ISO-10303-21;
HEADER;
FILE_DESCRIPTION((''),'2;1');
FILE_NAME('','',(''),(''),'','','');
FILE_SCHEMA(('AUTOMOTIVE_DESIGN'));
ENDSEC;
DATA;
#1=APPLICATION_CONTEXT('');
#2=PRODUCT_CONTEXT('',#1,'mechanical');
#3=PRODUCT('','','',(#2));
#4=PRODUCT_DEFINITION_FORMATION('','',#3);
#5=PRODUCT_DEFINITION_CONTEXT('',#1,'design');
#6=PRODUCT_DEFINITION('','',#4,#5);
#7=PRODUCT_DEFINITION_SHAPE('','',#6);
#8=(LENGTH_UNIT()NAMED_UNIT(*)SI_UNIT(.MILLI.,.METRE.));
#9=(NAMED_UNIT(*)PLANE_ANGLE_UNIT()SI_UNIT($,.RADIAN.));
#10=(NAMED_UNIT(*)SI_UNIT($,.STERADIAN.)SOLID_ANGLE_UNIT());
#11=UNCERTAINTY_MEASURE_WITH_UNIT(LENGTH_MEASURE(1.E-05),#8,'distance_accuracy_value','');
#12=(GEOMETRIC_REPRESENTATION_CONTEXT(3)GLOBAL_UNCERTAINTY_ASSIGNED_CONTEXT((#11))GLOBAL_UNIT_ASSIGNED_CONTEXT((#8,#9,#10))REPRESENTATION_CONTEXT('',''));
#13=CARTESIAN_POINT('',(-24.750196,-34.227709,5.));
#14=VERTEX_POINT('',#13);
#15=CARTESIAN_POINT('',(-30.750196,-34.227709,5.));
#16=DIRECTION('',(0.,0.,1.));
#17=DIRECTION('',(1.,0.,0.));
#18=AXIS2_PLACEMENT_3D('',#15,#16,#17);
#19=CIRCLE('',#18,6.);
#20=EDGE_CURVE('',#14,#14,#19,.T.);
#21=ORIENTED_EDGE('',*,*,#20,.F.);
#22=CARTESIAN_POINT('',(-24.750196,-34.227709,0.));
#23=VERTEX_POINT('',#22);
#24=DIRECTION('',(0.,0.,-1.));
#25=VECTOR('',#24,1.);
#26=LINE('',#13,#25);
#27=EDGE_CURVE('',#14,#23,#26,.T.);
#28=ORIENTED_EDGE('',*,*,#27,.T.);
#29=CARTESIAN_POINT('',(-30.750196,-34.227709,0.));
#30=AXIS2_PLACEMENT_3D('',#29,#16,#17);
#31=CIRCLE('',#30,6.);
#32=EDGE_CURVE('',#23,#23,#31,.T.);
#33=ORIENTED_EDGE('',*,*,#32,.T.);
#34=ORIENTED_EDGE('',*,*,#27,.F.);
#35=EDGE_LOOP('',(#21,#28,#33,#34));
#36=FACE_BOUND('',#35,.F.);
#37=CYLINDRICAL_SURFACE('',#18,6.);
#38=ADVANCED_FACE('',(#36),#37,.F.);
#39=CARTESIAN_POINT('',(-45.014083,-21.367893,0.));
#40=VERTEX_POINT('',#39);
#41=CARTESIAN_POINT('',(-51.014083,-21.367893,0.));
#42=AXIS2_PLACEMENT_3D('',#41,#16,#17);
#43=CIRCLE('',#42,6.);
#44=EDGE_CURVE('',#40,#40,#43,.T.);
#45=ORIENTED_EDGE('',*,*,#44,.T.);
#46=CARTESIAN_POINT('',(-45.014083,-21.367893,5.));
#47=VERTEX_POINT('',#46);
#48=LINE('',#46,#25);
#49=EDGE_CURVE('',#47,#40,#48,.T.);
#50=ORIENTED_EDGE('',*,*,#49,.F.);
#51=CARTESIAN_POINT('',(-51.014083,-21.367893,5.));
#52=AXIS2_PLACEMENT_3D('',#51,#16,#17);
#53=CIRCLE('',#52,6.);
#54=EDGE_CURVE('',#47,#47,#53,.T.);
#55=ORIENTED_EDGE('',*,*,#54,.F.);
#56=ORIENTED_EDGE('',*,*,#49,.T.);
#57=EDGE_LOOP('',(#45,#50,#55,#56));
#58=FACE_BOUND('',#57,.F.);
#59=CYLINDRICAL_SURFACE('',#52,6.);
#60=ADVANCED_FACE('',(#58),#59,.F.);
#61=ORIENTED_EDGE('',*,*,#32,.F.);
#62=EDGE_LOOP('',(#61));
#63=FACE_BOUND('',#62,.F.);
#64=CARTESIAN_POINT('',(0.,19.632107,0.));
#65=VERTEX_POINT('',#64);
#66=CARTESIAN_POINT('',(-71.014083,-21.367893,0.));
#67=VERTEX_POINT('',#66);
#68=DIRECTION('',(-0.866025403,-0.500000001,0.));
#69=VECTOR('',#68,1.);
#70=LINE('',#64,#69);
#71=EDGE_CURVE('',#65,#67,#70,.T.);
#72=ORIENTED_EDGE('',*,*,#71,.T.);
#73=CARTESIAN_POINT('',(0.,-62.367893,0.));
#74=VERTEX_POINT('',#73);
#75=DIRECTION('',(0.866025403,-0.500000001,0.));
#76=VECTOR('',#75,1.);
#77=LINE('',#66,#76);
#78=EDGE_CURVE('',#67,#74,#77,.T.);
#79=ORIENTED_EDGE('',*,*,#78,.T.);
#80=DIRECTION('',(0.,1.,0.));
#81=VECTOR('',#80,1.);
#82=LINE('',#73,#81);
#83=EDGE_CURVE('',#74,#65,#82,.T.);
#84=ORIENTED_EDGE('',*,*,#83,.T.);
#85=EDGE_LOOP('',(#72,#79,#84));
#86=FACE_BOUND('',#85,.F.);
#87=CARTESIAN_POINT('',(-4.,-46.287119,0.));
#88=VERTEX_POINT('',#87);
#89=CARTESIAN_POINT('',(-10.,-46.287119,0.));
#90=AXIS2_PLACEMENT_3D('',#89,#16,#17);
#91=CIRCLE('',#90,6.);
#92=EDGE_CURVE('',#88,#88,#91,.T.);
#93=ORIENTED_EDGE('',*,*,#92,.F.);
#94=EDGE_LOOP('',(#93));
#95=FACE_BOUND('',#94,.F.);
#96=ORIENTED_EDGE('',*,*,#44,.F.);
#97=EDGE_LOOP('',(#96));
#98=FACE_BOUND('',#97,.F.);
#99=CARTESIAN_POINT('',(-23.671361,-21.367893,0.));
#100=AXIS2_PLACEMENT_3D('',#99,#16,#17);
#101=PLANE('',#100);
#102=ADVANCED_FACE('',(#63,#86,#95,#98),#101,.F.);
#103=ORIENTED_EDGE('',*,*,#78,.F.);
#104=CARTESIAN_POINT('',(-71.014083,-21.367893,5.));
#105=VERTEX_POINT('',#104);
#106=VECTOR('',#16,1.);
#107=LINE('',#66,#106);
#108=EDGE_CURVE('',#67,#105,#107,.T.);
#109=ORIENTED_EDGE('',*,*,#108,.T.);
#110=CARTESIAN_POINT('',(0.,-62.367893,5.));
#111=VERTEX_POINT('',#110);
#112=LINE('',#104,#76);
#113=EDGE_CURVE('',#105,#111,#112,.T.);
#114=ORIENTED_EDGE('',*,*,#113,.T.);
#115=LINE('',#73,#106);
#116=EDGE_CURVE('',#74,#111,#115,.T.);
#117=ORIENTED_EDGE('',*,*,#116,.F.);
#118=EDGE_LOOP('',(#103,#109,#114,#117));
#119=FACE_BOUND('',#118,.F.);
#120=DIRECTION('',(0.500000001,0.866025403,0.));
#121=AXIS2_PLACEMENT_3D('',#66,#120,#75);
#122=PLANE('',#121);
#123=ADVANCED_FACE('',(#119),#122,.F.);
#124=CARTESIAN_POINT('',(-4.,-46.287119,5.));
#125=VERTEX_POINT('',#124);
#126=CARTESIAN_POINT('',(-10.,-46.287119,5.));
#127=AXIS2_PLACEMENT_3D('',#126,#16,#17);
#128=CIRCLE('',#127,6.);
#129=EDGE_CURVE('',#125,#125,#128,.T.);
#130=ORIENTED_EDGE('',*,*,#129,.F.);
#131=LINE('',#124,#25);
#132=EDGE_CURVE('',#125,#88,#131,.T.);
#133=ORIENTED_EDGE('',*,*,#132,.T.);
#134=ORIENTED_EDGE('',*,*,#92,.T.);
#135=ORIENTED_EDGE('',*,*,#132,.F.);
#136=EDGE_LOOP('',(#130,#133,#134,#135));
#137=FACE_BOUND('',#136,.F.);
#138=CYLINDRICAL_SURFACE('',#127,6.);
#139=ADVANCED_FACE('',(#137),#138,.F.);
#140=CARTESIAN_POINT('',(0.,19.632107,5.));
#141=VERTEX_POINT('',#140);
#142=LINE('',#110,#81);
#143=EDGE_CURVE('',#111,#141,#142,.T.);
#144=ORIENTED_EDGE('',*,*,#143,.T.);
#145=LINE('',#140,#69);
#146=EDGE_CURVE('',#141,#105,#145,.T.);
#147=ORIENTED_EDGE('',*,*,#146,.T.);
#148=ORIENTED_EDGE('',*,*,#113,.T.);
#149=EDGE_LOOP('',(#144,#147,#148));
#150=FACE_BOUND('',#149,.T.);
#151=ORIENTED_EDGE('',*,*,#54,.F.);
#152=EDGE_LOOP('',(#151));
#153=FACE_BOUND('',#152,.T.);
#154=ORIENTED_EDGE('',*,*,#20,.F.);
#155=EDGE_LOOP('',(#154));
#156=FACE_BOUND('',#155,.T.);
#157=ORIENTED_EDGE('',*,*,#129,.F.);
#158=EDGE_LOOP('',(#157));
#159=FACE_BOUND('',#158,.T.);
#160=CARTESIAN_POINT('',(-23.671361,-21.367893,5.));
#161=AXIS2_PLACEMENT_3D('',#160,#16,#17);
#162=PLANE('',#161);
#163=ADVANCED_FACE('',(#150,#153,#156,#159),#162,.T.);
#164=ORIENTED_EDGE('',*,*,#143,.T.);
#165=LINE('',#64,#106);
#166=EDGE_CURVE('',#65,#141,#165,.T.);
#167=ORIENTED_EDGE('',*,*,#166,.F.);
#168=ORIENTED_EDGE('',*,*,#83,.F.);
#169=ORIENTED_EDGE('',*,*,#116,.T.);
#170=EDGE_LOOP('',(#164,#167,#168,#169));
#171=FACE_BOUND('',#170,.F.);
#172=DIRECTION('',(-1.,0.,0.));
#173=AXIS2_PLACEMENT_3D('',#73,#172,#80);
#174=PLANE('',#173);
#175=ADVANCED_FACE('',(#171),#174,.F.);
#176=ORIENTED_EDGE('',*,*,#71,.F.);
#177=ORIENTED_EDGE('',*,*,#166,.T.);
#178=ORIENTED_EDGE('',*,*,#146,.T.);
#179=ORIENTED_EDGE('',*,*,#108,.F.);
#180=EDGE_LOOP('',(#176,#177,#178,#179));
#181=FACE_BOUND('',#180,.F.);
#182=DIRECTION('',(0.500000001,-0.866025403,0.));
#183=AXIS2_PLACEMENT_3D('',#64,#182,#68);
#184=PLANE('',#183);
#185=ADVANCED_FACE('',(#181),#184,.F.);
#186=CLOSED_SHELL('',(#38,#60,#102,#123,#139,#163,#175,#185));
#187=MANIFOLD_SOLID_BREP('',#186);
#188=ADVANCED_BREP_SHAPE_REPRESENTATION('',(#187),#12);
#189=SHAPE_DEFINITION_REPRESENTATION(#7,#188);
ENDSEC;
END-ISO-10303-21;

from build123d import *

# Parameters (mm, degrees)
F1_DEPTH = 5
F2_R     = 6
F3_DEPTH = 5


with BuildPart() as f1:
    # F0 (on Top) → F1 (new body)
    with BuildSketch(Plane.XY):
        Polygon((0, -62.367893), (0, 19.632107), (-71.014083, -21.367893), align=None)
    extrude(amount=F1_DEPTH)

    # F2 (on face) → F3 (cut, through all)
    with BuildSketch(Plane.XY.offset(5)):
        with Locations((-51.014083, -21.367893)):
            Circle(F2_R)
        with Locations((-30.750196, -34.227709)):
            Circle(F2_R)
        with Locations((-10, -46.287119)):
            Circle(F2_R)
    extrude(amount=-F3_DEPTH, mode=Mode.SUBTRACT)


solid = f1.part
